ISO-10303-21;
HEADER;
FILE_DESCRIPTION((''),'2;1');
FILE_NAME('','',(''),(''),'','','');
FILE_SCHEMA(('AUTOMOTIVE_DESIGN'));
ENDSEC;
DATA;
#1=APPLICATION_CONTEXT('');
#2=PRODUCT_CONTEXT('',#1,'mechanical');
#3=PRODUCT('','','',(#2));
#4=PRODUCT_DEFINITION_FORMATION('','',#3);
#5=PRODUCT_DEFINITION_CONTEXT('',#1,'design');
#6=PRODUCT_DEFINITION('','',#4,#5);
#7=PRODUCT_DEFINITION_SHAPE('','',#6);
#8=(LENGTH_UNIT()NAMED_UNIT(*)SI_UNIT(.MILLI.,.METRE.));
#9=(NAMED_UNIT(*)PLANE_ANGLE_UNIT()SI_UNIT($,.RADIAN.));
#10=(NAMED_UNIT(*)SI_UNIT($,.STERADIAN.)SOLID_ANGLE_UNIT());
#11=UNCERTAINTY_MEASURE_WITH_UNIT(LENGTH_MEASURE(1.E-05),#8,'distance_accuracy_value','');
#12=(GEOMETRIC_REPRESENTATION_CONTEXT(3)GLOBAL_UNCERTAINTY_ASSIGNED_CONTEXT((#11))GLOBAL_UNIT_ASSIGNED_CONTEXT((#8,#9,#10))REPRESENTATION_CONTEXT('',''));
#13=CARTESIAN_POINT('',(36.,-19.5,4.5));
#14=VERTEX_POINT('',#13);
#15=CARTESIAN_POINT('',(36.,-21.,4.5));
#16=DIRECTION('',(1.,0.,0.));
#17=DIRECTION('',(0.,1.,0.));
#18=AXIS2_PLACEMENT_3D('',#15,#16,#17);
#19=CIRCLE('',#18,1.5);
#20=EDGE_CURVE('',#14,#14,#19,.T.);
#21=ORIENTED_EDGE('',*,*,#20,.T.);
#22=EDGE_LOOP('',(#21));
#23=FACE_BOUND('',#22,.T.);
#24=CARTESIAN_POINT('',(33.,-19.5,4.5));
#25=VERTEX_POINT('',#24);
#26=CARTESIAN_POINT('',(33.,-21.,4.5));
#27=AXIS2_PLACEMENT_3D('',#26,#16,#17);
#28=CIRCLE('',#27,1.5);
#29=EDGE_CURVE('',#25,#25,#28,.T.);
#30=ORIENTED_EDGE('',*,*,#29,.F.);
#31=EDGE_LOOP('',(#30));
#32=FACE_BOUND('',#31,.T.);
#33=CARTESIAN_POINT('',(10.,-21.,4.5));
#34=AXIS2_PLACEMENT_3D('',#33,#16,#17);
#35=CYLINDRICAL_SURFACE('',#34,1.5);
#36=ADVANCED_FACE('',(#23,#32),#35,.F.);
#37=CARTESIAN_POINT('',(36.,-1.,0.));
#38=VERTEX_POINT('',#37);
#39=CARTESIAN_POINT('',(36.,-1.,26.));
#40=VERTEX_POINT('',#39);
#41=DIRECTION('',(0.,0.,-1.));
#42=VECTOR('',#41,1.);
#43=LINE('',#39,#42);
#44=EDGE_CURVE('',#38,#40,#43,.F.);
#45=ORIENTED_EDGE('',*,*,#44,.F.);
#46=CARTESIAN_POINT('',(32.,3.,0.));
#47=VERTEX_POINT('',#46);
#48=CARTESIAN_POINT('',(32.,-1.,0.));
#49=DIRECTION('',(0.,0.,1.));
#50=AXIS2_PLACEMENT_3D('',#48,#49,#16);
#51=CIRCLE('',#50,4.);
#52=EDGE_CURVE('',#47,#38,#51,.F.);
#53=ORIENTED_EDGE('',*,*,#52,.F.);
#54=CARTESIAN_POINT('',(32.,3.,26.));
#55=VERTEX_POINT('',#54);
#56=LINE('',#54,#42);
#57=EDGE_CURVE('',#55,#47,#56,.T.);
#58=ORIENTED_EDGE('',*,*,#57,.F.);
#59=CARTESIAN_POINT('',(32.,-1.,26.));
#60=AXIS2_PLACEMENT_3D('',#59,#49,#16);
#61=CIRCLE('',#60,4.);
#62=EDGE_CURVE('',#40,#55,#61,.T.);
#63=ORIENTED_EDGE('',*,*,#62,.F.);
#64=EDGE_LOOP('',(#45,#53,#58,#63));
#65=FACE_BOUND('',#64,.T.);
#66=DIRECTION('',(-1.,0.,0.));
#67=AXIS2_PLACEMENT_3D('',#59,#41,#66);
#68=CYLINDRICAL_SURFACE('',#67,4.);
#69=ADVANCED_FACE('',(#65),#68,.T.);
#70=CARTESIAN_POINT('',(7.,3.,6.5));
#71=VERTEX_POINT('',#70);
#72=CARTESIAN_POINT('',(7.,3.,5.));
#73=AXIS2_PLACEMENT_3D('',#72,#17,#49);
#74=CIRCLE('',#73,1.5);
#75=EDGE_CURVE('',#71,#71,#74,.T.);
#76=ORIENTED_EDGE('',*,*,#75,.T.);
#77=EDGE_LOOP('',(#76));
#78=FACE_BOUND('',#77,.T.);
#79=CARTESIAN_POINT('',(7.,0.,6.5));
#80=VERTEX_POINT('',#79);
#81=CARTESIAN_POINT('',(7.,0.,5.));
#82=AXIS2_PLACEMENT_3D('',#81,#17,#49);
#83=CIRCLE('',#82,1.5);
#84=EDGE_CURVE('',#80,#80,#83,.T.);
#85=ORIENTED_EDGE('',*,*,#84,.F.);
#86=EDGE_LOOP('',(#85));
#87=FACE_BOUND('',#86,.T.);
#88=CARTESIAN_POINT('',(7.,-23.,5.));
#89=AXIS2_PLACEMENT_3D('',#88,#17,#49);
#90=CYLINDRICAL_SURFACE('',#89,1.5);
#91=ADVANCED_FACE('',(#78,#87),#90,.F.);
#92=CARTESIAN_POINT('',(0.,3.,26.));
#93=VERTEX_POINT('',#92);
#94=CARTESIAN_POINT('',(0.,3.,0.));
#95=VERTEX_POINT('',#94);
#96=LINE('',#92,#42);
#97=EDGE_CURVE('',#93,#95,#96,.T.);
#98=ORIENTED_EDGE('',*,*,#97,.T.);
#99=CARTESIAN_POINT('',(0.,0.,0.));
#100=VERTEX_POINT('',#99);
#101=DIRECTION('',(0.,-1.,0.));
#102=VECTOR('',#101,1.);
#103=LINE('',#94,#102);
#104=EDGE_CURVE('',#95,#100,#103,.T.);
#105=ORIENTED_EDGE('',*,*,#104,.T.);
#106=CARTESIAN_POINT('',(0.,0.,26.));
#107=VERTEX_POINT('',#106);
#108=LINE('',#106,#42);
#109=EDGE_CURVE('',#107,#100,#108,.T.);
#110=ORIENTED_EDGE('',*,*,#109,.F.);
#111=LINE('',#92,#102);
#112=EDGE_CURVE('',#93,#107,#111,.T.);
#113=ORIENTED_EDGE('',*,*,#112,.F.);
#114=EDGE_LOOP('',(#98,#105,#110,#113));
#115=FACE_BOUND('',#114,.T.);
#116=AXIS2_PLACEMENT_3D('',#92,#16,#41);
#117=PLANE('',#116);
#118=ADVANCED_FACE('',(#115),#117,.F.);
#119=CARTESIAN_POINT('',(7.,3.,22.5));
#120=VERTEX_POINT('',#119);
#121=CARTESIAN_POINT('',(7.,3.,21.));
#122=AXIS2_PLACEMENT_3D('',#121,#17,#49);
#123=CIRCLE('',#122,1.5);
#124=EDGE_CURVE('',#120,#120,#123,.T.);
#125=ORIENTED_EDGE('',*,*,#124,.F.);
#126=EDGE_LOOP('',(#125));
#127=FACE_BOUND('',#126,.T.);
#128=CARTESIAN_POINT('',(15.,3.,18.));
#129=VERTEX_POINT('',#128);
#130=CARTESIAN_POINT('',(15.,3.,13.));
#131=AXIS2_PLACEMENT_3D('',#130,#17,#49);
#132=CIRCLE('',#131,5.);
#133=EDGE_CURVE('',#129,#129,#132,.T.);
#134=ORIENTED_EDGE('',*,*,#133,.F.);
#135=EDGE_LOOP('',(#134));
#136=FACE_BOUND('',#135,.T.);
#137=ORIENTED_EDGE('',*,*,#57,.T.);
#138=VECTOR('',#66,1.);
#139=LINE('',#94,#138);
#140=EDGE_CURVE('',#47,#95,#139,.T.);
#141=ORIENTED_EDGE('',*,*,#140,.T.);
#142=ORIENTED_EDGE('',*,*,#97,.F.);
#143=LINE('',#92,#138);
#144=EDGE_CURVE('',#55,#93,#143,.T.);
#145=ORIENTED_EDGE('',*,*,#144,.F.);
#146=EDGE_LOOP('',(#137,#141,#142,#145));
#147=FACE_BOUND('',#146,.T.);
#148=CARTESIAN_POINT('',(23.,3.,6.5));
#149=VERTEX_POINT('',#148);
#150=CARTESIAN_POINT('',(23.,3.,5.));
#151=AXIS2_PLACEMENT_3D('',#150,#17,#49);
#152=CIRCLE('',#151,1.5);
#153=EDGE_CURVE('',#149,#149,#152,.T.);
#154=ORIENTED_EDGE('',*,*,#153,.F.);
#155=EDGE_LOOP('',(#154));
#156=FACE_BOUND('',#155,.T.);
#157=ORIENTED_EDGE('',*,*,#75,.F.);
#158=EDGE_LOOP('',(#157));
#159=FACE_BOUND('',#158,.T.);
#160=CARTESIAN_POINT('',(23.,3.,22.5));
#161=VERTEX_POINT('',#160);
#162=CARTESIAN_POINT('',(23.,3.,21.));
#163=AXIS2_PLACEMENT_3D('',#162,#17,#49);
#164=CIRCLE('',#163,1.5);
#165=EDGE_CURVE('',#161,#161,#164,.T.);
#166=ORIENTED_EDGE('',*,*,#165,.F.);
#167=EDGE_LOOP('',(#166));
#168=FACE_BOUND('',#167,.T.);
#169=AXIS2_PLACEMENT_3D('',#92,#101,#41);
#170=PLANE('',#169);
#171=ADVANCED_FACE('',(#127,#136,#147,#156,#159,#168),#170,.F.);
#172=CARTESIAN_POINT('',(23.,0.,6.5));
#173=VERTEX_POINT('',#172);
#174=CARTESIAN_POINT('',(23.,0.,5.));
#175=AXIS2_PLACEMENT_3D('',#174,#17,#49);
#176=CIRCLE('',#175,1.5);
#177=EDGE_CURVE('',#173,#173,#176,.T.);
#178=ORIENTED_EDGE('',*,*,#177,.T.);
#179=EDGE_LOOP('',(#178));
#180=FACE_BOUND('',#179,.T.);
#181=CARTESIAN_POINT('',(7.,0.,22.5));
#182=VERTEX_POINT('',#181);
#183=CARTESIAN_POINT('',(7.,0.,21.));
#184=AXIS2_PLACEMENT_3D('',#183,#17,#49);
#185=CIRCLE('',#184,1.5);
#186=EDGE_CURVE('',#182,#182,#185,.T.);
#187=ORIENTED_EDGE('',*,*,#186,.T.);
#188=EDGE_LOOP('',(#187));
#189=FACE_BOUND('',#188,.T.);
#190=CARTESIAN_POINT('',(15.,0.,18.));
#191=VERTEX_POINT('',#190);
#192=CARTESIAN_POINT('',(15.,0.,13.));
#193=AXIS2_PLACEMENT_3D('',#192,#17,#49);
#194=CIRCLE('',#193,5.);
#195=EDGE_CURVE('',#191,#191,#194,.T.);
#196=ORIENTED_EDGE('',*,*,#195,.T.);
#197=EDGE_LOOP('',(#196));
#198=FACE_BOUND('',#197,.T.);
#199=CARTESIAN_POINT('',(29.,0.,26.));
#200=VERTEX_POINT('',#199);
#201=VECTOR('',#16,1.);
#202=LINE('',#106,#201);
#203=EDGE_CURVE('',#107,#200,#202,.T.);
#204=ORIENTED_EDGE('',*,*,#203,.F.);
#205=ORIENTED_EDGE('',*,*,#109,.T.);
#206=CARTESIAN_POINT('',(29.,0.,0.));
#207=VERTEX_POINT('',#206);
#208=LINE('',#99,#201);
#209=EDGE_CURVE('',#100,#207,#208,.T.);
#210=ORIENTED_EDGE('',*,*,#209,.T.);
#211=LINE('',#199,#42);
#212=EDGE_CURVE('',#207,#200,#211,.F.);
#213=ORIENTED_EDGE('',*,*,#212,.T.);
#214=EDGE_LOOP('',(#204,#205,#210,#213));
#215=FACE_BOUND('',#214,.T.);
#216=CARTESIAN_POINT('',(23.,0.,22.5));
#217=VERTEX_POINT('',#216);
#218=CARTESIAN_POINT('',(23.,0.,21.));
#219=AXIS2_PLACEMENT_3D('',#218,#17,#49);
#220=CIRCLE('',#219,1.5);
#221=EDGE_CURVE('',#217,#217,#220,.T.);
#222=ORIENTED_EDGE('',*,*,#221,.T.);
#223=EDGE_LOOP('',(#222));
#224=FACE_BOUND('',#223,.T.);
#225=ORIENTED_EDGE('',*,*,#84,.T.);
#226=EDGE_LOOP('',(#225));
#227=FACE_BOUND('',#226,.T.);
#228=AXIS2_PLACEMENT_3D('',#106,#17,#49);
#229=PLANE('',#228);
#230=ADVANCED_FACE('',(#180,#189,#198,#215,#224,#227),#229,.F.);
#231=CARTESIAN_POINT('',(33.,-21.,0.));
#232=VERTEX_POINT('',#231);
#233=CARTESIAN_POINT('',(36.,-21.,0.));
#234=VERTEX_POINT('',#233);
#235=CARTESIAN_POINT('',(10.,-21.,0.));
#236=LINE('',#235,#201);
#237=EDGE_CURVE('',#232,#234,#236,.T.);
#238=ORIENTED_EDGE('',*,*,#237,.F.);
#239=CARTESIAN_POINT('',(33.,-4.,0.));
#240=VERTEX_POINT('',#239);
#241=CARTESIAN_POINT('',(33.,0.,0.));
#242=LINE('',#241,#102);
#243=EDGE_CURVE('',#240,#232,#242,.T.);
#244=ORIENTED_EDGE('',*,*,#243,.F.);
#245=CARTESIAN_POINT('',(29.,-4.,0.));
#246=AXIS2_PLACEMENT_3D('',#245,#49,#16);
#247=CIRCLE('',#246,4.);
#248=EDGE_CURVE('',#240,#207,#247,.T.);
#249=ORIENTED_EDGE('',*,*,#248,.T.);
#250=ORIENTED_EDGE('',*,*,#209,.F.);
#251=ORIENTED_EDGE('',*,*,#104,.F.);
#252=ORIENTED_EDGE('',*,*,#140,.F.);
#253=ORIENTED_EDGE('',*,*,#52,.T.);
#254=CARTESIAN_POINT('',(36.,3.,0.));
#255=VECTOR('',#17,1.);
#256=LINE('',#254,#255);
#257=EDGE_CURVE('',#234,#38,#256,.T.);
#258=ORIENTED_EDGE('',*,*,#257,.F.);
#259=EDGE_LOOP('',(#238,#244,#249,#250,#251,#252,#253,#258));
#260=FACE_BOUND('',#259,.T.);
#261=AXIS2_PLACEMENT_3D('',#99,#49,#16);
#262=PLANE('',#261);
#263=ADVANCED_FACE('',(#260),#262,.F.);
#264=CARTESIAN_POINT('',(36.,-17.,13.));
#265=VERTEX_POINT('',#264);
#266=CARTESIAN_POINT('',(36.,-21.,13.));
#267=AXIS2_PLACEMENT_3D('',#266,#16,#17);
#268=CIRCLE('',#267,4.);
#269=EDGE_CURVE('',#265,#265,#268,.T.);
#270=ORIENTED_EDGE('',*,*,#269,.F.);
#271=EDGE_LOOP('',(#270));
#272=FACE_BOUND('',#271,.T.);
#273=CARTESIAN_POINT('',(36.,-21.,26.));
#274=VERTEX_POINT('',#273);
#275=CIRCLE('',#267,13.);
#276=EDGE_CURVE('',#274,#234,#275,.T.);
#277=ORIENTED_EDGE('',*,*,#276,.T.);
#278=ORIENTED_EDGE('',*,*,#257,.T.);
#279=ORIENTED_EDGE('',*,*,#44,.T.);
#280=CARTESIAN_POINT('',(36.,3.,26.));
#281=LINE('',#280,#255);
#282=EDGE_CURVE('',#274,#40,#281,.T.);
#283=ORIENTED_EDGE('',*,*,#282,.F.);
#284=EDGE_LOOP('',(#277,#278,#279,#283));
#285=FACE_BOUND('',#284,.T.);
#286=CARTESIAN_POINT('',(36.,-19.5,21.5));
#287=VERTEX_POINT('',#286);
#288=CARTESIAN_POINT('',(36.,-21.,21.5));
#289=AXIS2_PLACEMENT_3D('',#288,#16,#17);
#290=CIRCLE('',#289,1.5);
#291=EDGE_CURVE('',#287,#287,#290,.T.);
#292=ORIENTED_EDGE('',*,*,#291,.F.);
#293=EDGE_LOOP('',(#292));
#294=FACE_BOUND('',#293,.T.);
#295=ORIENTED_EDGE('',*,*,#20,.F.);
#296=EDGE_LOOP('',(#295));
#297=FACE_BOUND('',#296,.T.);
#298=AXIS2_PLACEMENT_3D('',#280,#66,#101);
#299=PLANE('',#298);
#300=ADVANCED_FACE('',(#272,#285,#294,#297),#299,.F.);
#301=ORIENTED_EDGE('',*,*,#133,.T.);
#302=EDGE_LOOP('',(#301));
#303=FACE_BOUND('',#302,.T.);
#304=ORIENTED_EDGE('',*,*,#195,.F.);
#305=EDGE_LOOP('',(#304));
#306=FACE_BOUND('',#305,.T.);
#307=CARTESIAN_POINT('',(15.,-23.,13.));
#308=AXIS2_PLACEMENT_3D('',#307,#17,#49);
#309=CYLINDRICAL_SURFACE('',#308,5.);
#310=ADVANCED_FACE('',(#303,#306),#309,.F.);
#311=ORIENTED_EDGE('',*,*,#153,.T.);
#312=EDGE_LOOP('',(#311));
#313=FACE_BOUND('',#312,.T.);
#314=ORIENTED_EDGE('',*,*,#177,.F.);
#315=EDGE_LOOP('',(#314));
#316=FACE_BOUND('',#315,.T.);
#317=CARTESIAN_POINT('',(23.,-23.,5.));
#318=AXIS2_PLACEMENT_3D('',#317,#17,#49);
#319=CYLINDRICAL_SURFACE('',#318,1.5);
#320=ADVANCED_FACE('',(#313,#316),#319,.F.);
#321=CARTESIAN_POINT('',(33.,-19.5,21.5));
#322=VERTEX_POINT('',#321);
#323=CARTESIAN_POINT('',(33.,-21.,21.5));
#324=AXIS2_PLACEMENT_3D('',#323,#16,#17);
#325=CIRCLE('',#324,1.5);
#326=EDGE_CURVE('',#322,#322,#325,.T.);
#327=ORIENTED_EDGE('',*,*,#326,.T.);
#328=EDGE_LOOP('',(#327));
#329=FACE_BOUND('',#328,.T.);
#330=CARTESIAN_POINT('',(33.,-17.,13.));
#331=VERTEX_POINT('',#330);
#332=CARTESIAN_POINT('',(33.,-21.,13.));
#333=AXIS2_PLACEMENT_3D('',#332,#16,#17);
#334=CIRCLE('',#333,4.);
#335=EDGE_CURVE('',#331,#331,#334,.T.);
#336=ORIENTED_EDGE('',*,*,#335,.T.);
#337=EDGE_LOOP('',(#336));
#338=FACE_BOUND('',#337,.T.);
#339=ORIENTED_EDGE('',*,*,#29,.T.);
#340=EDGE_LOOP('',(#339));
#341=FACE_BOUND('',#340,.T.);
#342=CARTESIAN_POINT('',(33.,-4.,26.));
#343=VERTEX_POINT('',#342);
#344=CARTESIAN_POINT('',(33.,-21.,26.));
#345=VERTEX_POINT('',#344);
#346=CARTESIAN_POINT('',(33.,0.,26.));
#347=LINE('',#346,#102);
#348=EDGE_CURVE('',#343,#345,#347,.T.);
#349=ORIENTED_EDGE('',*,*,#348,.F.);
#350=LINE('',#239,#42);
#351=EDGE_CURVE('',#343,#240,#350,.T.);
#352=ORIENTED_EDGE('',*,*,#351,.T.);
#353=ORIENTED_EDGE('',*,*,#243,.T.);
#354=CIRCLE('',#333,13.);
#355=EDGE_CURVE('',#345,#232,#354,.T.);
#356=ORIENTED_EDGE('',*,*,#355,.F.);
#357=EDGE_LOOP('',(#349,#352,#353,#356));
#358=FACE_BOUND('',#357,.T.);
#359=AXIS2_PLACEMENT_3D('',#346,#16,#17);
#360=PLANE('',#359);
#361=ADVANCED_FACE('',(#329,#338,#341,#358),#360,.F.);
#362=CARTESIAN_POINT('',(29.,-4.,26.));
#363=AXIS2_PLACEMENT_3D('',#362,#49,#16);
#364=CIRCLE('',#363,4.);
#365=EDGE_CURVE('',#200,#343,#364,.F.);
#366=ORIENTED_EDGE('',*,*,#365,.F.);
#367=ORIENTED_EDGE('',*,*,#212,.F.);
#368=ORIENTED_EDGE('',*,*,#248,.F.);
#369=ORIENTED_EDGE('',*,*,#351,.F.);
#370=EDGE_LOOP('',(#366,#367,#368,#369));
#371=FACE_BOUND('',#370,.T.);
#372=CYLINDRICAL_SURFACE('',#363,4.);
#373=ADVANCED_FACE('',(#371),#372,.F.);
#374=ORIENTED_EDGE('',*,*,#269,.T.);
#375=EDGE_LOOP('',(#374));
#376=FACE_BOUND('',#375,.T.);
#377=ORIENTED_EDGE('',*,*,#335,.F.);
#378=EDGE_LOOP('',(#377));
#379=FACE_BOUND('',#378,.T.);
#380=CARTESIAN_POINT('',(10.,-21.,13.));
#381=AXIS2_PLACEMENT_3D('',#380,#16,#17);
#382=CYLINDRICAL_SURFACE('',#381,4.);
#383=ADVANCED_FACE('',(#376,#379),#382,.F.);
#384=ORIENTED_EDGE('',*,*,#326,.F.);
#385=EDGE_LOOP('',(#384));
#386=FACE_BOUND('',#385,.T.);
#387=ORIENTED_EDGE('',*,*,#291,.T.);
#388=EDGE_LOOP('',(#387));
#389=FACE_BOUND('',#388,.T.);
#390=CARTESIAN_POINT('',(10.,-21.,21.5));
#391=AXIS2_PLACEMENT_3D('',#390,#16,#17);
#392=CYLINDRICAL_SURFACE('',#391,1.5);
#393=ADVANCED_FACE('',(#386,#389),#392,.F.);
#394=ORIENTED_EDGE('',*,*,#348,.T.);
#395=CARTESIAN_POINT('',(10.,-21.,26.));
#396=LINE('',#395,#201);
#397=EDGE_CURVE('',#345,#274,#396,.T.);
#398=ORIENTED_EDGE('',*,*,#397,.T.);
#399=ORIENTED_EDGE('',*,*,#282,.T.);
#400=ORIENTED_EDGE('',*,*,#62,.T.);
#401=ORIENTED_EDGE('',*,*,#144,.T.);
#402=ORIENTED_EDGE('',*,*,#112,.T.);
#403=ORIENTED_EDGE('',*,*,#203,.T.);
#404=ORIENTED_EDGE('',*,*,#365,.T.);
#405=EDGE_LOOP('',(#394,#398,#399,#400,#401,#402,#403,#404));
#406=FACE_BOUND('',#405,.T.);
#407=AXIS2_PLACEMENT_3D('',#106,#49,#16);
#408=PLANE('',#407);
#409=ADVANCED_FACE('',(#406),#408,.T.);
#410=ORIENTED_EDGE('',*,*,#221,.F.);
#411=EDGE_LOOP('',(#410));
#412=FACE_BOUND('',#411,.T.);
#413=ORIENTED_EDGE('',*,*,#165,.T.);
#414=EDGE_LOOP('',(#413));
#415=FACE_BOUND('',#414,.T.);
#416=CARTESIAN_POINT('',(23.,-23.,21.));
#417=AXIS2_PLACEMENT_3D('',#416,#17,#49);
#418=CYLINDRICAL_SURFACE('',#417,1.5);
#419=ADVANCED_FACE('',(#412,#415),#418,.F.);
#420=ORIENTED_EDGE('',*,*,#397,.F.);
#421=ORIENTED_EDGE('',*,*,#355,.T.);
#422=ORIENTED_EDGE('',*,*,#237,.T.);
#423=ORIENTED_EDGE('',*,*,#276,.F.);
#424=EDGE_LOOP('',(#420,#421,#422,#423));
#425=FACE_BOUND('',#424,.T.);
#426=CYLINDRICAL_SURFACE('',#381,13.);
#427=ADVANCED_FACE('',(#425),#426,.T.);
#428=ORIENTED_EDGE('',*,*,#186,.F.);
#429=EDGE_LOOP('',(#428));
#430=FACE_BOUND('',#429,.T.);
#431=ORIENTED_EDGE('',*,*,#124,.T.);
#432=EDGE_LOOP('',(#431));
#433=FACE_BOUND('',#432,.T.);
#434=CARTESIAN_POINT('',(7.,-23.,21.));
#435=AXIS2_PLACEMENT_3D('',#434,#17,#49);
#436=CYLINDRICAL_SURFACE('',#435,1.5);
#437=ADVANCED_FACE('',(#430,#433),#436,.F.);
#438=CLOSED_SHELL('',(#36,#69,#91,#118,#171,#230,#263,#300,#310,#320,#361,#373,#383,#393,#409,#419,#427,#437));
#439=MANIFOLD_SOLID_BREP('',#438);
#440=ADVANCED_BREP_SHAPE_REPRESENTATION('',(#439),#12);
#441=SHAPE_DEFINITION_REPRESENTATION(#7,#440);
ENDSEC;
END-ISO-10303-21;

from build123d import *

# Parameters (mm, degrees)
BOSS_EXTRUDE1_DEPTH = 26
SKETCH2_R           = 1.5
SKETCH2_R_2         = 4
CUT_EXTRUDE1_DEPTH  = 26
FILLET1_R           = 4
SKETCH3_R           = 5
SKETCH3_R_2         = 1.5
CUT_EXTRUDE2_DEPTH  = 26


with BuildPart() as part:
    # Sketch1 → Boss-Extrude1 (new body)
    with BuildSketch(Plane.XY):
        Polygon((0, 0), (33, 0), (33, -34), (36, -34), (36, 3), (0, 3), align=None)
    extrude(amount=BOSS_EXTRUDE1_DEPTH)

    # Sketch2 → Cut-Extrude1 (cut)
    with BuildSketch(Plane(origin=(36, 0, 0), x_dir=(0, 0, -1), z_dir=(1, 0, 0))):
        with BuildLine():
            ThreePointArc((-13, -34), (-22.192388155, -30.192388155), (-26, -21))
            Line((-26, -21), (-26, -34))
            Line((-26, -34), (-13, -34))
        make_face()
        with BuildLine():
            ThreePointArc((0, -21), (-3.807611845, -30.192388155), (-13, -34))
            Line((-13, -34), (0, -34))
            Line((0, -34), (0, -21))
        make_face()
        with Locations((-4.5, -21)):
            Circle(SKETCH2_R)
        with Locations((-13, -21)):
            Circle(SKETCH2_R_2)
        with Locations((-21.5, -21)):
            Circle(SKETCH2_R)
    extrude(amount=-CUT_EXTRUDE1_DEPTH, mode=Mode.SUBTRACT)

    # Fillet1
    fillet1_edges = [part.edges().sort_by_distance(p)[0] for p in [
        (36, 3, 13),
        (33, 0, 13),
    ]]
    fillet(fillet1_edges, radius=FILLET1_R)

    # Sketch3 → Cut-Extrude2 (cut)
    with BuildSketch(Plane(origin=(0, 3, 0), x_dir=(1, 0, 0), z_dir=(0, 1, 0))):
        with Locations((15, -13)):
            Circle(SKETCH3_R)
        with Locations((23, -21)):
            Circle(SKETCH3_R_2)
        with Locations((23, -5)):
            Circle(SKETCH3_R_2)
        with Locations((7, -5)):
            Circle(SKETCH3_R_2)
        with Locations((7, -21)):
            Circle(SKETCH3_R_2)
    extrude(amount=-CUT_EXTRUDE2_DEPTH, mode=Mode.SUBTRACT)


solid = part.part
